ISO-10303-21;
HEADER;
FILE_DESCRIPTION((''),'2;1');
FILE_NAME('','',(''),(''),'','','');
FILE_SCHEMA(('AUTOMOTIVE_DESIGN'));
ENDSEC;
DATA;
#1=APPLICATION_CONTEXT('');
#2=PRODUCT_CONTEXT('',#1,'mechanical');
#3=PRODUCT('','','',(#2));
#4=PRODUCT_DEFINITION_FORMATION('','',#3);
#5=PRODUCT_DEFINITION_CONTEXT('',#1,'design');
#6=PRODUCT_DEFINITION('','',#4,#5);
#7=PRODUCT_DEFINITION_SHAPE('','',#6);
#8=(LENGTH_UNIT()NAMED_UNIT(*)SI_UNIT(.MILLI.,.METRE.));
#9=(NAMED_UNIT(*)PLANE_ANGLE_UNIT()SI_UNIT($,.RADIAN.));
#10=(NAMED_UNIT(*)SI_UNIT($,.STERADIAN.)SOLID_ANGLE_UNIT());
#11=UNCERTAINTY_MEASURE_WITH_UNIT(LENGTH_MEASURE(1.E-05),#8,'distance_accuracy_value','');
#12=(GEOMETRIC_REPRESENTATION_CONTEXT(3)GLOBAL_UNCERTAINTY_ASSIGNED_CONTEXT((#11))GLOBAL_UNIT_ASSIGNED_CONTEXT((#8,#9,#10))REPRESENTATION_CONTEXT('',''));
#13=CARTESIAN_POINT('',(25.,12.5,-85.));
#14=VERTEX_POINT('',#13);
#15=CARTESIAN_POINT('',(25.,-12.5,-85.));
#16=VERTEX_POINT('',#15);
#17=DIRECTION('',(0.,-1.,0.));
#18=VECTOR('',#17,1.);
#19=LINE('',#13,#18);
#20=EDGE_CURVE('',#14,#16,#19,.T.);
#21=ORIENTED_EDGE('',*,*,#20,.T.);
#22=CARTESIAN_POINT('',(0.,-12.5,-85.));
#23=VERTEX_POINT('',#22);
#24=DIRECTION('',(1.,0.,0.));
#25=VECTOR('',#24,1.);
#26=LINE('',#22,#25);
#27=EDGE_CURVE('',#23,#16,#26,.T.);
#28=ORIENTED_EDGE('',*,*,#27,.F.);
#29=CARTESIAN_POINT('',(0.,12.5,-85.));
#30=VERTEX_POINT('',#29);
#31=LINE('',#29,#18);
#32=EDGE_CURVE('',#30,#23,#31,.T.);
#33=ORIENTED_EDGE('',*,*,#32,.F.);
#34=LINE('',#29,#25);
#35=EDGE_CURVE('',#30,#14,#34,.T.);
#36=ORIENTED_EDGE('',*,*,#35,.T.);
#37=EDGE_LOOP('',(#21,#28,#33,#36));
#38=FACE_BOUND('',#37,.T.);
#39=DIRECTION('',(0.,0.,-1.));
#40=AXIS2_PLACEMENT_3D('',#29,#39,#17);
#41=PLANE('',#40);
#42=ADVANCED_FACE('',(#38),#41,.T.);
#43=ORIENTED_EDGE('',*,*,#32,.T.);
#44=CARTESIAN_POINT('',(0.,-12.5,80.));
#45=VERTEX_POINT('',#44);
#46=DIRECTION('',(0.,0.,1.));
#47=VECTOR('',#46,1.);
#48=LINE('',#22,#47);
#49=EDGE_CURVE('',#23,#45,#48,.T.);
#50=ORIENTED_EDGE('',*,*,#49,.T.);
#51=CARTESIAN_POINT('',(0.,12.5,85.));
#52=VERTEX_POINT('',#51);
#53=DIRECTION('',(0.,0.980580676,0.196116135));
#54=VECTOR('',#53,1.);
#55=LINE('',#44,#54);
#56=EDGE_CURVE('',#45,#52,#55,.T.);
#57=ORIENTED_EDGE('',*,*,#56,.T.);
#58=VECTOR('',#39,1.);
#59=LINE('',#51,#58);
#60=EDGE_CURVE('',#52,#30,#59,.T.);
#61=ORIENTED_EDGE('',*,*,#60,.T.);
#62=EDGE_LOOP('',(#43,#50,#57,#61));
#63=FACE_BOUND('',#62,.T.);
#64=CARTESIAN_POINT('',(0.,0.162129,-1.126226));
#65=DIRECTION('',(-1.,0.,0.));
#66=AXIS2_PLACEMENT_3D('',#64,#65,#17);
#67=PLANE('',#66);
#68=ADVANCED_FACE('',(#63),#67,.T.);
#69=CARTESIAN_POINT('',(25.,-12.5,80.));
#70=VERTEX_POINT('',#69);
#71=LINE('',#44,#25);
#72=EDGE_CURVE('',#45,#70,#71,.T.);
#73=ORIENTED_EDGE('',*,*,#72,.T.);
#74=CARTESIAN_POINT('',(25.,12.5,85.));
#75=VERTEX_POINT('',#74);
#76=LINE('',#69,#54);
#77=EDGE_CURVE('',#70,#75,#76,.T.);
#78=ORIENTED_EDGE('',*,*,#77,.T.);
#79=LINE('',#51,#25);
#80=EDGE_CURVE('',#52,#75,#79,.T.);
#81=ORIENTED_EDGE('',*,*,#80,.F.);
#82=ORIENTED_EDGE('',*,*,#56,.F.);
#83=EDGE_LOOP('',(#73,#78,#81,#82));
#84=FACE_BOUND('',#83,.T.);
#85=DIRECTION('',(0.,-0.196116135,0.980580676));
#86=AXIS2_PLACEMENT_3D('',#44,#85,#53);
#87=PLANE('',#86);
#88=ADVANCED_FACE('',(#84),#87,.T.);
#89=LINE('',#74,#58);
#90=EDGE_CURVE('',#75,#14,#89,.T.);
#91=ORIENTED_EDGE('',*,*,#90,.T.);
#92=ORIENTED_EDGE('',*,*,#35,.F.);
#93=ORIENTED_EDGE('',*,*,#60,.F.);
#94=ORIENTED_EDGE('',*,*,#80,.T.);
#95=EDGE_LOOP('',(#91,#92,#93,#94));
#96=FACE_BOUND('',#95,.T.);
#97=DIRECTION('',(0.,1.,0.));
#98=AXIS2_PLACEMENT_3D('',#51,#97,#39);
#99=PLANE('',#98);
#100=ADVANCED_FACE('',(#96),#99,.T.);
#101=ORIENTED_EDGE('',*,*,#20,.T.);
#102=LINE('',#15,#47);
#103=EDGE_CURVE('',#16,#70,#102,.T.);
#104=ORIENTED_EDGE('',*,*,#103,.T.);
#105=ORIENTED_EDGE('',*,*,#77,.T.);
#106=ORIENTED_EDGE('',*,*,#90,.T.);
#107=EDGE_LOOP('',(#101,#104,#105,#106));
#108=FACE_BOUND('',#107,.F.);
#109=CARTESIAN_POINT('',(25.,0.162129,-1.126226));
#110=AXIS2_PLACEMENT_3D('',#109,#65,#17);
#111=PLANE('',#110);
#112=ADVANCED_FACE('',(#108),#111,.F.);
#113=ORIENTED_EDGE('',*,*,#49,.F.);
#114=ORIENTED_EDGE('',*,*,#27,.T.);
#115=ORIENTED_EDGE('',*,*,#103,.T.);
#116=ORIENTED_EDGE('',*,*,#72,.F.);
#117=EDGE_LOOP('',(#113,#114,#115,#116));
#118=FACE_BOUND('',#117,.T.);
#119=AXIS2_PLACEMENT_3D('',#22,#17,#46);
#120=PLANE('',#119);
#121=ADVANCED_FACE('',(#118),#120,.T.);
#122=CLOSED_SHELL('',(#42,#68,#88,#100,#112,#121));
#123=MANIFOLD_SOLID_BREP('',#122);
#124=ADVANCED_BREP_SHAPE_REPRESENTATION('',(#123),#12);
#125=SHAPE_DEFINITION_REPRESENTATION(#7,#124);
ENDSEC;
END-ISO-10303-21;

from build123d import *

# Parameters (mm, degrees)
PAD_DEPTH = 25


with BuildPart() as part:
    # Sketch → Pad (new body)
    with BuildSketch(Plane.YZ):
        Polygon((12.5, 85), (12.5, -85), (-12.5, -85), (-12.5, 80), align=None)
    extrude(amount=PAD_DEPTH)


solid = part.part
